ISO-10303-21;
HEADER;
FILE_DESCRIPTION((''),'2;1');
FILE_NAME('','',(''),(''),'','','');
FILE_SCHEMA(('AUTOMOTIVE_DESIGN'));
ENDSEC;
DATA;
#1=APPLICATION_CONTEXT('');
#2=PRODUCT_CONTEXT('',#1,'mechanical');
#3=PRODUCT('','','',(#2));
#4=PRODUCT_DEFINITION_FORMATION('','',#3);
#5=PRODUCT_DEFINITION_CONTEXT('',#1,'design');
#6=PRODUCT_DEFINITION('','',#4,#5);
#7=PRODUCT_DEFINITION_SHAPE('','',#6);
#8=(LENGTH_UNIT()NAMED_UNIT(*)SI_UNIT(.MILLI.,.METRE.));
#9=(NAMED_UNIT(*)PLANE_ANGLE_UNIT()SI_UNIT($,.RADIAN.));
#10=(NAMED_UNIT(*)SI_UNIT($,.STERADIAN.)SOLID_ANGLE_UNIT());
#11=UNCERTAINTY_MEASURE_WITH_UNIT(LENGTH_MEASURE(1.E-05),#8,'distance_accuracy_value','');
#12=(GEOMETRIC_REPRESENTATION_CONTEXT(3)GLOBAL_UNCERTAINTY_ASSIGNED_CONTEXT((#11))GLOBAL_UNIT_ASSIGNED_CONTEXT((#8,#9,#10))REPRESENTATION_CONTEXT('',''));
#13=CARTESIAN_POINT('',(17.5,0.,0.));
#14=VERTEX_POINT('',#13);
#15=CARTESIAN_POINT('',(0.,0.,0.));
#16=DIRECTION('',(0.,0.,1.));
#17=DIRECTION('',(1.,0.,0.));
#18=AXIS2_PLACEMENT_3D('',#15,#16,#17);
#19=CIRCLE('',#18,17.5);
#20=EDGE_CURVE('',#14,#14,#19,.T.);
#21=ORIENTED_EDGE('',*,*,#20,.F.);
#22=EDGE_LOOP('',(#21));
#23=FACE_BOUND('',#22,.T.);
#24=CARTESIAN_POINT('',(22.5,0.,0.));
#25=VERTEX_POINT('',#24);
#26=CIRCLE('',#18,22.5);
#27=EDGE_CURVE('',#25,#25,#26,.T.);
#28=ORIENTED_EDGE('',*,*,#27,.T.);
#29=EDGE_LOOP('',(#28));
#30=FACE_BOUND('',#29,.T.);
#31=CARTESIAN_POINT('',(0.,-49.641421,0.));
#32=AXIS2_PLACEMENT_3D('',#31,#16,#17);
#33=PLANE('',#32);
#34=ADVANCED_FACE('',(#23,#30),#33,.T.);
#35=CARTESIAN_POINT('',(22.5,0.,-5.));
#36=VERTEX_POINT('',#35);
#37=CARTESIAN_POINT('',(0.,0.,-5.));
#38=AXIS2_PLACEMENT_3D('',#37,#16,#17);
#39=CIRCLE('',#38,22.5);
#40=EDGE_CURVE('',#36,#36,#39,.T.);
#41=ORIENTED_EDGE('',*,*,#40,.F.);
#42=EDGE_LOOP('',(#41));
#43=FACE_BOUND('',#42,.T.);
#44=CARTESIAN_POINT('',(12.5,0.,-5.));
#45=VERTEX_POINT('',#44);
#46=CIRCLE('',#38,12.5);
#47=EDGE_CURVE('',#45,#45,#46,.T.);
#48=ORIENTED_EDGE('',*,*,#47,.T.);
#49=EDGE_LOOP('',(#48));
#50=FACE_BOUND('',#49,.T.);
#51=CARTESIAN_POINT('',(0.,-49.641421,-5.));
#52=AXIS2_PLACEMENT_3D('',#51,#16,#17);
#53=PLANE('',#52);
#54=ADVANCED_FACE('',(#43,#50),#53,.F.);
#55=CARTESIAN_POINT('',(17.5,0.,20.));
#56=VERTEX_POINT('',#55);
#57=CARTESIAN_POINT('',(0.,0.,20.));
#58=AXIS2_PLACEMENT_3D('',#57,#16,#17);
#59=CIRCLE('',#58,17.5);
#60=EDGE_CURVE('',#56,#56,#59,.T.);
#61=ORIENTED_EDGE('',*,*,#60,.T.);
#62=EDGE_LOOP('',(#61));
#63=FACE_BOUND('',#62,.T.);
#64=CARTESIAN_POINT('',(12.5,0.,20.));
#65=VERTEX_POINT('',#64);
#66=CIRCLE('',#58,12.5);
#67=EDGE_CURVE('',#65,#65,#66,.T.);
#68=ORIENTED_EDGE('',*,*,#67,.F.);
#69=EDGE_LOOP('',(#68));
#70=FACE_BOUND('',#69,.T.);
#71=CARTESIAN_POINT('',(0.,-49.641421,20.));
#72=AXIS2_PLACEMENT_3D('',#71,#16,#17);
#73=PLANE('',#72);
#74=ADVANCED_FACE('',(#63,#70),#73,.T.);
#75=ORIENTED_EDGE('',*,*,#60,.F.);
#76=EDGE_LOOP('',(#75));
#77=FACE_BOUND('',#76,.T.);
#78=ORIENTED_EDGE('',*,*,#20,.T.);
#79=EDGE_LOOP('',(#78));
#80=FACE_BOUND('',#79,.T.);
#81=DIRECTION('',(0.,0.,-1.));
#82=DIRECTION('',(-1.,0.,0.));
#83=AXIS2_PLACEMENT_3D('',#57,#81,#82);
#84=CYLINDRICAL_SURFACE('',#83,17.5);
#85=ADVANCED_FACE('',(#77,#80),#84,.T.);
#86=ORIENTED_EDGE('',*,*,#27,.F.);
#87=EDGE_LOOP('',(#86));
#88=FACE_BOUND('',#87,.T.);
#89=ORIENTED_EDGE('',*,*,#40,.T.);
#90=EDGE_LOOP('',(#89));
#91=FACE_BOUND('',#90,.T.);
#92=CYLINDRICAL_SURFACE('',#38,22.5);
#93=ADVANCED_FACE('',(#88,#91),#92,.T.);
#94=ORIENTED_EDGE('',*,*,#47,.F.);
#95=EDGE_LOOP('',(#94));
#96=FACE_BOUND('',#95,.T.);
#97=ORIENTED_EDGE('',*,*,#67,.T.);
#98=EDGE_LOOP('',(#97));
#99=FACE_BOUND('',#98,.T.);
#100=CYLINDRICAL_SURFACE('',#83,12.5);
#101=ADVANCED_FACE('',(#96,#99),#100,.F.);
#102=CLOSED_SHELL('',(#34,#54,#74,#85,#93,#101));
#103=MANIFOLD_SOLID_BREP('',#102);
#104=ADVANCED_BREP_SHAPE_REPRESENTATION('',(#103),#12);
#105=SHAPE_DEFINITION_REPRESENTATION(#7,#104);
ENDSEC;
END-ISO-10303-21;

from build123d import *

# Parameters (mm, degrees)
SKETCH_1_R      = 17.5
SKETCH_1_R_2    = 12.5
EXTRUDE_1_DEPTH = 20
EXTRUDE_START   = -5
SKETCH_1_3_R    = 22.5
SKETCH_1_3_R_2  = 12.5
EXTRUDE_2_DEPTH = 5


with BuildPart() as part:
    # 草图1 → 凸台-拉伸1 (new body)
    with BuildSketch(Plane.XY):
        Circle(SKETCH_1_R)
        Circle(SKETCH_1_R_2, mode=Mode.SUBTRACT)
    extrude(amount=EXTRUDE_1_DEPTH)

    # 草图1<3> → 凸台-拉伸2 (add)
    with BuildSketch(Plane.XY.offset(EXTRUDE_START)):
        Circle(SKETCH_1_3_R)
        Circle(SKETCH_1_3_R_2, mode=Mode.SUBTRACT)
    extrude(amount=EXTRUDE_2_DEPTH)


solid = part.part
